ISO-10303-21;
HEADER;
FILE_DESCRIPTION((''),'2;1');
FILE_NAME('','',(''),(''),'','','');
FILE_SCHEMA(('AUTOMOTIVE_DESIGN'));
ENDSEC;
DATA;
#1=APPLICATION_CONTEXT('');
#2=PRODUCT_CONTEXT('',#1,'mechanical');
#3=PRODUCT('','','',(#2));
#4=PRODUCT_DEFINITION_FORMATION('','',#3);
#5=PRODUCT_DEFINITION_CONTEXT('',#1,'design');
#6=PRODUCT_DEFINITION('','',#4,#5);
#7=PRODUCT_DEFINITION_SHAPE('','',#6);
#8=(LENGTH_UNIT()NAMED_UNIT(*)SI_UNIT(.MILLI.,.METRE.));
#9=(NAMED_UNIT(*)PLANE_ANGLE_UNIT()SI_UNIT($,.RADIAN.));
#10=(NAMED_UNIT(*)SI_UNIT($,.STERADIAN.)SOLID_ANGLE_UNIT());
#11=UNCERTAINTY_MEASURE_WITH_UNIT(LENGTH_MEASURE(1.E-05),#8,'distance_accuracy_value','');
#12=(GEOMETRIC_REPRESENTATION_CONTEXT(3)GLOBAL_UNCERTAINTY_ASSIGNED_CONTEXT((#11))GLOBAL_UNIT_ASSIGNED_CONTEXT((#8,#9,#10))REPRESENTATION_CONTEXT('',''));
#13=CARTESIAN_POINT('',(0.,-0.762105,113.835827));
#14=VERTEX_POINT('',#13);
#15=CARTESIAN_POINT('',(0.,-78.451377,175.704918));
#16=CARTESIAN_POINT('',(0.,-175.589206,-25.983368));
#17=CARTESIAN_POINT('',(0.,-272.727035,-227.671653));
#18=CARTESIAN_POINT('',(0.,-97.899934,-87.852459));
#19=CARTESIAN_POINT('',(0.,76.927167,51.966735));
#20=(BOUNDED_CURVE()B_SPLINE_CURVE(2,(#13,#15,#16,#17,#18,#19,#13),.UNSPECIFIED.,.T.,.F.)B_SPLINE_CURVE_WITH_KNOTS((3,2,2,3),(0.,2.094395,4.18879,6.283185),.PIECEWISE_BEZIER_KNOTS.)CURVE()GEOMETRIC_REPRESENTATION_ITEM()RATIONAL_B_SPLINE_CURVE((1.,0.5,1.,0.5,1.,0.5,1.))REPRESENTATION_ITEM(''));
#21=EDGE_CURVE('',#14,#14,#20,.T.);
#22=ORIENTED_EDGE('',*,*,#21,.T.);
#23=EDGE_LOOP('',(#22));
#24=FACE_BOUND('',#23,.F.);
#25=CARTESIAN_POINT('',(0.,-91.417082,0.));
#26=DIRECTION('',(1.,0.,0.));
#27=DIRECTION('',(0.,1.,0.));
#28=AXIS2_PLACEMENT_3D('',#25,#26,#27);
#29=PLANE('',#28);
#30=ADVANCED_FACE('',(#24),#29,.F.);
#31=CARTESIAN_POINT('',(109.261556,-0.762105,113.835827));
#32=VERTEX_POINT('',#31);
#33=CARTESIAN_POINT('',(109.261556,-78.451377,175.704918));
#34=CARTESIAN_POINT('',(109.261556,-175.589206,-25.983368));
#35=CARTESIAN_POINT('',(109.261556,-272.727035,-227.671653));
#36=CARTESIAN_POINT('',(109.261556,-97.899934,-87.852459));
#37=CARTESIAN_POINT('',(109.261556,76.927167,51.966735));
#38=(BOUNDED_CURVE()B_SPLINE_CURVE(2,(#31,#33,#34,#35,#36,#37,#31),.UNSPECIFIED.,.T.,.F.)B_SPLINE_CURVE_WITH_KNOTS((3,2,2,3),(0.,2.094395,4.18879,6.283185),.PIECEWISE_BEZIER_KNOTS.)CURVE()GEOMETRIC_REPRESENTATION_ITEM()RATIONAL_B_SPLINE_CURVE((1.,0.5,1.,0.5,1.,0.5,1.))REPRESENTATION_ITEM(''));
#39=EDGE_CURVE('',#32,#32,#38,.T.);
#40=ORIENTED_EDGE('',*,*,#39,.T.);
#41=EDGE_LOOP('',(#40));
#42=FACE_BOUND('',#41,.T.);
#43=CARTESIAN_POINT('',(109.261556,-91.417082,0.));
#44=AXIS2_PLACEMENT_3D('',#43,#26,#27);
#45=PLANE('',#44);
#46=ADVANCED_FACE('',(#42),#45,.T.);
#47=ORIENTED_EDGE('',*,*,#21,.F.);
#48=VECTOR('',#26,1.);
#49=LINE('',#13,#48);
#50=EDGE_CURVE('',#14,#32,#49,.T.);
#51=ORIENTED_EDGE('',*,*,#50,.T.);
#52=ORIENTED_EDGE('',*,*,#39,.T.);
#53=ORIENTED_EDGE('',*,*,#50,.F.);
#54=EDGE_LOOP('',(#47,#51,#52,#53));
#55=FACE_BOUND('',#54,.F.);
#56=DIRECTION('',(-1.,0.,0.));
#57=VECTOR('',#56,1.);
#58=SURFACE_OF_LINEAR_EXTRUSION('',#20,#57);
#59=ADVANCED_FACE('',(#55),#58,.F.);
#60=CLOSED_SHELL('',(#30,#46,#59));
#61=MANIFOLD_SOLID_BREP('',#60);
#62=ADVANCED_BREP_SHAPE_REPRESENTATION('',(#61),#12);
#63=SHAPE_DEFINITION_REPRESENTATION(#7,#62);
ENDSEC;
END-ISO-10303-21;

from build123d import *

# Parameters (mm, degrees)
F1_DEPTH = 109.261556


with BuildPart() as f1:
    # F0 (on Right) → F1 (new body)
    with BuildSketch(Plane.YZ):
        with BuildLine():
            add(Edge.make_bspline(
                [(-0.762105, 113.835827), (-78.451377, 175.704918), (-175.589206, -25.983368), (-272.727035, -227.671653), (-97.899934, -87.852459), (76.927167, 51.966735), (-0.762105, 113.835827)],
                knots=[0, 0, 0, 2.094395, 2.094395, 4.18879, 4.18879, 6.283185, 6.283185, 6.283185], degree=2, weights=[1, 0.5, 1, 0.5, 1, 0.5, 1]))
        make_face()
    extrude(amount=F1_DEPTH)


solid = f1.part
